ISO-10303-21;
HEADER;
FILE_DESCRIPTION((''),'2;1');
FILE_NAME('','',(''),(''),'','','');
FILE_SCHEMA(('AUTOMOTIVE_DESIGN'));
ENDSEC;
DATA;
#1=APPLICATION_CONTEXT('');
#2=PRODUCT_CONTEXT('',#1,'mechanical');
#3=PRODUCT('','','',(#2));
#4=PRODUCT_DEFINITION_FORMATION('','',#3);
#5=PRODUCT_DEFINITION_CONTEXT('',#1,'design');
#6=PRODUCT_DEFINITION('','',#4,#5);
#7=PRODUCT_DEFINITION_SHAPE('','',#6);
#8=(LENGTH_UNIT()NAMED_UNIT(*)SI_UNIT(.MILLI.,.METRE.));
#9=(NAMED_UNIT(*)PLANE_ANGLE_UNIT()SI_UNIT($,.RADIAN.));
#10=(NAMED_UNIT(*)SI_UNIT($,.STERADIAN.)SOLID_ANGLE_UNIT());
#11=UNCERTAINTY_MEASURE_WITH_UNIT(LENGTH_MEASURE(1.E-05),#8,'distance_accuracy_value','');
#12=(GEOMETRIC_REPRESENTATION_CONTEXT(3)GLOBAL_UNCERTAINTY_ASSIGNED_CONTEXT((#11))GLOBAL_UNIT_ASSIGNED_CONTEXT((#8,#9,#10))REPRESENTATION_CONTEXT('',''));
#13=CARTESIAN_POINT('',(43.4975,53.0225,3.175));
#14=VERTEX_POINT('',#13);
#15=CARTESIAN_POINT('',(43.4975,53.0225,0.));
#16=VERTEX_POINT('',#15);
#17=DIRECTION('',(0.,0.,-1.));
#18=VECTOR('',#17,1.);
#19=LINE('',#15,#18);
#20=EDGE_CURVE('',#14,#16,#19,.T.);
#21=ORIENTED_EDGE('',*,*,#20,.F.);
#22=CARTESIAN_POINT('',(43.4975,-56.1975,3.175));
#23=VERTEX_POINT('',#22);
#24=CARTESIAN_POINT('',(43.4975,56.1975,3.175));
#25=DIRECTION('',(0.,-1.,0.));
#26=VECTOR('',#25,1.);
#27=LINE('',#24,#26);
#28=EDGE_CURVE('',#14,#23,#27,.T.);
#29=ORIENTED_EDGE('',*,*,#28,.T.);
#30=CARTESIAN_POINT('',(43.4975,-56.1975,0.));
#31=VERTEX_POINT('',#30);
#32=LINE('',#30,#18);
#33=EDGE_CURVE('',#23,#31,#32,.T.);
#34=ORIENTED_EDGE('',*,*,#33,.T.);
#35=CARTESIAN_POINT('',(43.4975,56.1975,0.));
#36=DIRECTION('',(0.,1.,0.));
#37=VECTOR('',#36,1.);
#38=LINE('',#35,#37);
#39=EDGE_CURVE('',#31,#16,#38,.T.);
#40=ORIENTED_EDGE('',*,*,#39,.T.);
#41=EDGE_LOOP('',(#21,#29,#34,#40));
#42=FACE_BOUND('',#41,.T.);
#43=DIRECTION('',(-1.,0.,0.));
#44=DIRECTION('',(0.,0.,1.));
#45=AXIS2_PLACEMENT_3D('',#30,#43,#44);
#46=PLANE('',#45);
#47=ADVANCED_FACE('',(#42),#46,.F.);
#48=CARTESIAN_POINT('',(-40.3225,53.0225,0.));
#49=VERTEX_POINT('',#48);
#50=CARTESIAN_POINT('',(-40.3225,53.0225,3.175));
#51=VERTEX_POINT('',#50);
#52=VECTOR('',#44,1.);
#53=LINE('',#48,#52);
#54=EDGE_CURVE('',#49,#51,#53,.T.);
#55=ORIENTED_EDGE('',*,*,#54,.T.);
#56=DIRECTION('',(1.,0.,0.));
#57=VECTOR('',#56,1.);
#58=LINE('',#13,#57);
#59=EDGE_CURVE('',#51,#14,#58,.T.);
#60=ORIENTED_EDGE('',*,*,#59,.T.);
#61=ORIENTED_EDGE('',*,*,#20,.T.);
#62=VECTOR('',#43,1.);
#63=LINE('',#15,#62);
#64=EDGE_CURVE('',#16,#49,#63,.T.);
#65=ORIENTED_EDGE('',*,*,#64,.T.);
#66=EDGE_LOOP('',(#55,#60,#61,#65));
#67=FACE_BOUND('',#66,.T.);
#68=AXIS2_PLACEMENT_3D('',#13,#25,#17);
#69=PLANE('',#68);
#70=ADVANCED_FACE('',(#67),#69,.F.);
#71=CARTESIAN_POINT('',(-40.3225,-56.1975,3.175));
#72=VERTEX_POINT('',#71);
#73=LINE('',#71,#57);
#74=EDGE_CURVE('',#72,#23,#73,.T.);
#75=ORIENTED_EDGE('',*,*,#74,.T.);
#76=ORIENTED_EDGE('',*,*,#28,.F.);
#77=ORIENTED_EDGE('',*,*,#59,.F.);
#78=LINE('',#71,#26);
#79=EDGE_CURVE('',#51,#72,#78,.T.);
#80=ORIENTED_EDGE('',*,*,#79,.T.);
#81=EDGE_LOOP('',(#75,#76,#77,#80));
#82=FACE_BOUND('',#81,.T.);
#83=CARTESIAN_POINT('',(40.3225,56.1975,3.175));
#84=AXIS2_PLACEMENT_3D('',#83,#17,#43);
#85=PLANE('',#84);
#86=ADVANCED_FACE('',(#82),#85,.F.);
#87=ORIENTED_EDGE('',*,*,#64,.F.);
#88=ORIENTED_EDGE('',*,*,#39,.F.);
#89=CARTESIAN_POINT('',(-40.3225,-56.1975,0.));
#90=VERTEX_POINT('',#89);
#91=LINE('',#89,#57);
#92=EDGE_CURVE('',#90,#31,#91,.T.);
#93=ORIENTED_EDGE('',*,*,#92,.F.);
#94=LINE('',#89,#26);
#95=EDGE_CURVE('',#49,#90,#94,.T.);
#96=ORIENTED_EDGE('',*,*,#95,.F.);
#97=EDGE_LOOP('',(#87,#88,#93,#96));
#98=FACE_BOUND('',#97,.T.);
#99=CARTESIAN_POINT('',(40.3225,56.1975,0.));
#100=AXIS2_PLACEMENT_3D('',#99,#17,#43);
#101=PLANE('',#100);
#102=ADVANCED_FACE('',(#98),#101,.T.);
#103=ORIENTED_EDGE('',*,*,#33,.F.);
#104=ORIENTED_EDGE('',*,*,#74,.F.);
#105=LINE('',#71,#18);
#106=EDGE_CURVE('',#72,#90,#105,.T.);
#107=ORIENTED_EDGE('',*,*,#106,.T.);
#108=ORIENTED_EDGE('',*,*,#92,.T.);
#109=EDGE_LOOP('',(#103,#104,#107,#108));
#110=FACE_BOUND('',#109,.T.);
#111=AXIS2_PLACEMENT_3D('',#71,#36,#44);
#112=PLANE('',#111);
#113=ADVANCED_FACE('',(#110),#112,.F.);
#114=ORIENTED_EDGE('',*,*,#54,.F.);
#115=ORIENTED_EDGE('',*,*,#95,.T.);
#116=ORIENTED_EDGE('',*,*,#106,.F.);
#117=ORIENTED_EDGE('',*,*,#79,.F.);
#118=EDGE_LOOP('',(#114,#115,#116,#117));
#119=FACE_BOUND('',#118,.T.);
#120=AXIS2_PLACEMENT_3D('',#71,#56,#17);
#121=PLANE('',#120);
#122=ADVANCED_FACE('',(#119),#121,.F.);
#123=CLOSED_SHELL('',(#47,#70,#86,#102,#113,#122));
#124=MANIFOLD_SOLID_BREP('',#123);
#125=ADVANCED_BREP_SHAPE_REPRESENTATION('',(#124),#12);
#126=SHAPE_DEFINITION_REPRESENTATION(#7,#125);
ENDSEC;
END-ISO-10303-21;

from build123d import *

# Parameters (mm, degrees)
SKETCH1_W           = 80.645
SKETCH1_H           = 112.395
BOSS_EXTRUDE1_DEPTH = 3.175
SKETCH2_W           = 3.175
SKETCH2_H           = 112.395
BOSS_EXTRUDE2_DEPTH = 3.175
SKETCH3_W           = 83.82
SKETCH3_H           = 3.175
CUT_EXTRUDE1_DEPTH  = 3.175


with BuildPart() as part:
    # Sketch1 → Boss-Extrude1 (new body)
    with BuildSketch(Plane.XY):
        Rectangle(SKETCH1_W, SKETCH1_H)
    extrude(amount=BOSS_EXTRUDE1_DEPTH)

    # Sketch2 → Boss-Extrude2 (add)
    with BuildSketch(Plane(origin=(40.3225, 0, 0), x_dir=(0, 0, -1), z_dir=(1, 0, 0))):
        with Locations((-1.5875, 0)):
            Rectangle(SKETCH2_W, SKETCH2_H)
    extrude(amount=BOSS_EXTRUDE2_DEPTH)

    # Sketch3 → Cut-Extrude1 (cut)
    with BuildSketch(Plane(origin=(0, 56.1975, 0), x_dir=(-1, 0, 0), z_dir=(0, 1, 0))):
        with Locations((-1.5875, 1.5875)):
            Rectangle(SKETCH3_W, SKETCH3_H)
    extrude(amount=-CUT_EXTRUDE1_DEPTH, mode=Mode.SUBTRACT)


solid = part.part
